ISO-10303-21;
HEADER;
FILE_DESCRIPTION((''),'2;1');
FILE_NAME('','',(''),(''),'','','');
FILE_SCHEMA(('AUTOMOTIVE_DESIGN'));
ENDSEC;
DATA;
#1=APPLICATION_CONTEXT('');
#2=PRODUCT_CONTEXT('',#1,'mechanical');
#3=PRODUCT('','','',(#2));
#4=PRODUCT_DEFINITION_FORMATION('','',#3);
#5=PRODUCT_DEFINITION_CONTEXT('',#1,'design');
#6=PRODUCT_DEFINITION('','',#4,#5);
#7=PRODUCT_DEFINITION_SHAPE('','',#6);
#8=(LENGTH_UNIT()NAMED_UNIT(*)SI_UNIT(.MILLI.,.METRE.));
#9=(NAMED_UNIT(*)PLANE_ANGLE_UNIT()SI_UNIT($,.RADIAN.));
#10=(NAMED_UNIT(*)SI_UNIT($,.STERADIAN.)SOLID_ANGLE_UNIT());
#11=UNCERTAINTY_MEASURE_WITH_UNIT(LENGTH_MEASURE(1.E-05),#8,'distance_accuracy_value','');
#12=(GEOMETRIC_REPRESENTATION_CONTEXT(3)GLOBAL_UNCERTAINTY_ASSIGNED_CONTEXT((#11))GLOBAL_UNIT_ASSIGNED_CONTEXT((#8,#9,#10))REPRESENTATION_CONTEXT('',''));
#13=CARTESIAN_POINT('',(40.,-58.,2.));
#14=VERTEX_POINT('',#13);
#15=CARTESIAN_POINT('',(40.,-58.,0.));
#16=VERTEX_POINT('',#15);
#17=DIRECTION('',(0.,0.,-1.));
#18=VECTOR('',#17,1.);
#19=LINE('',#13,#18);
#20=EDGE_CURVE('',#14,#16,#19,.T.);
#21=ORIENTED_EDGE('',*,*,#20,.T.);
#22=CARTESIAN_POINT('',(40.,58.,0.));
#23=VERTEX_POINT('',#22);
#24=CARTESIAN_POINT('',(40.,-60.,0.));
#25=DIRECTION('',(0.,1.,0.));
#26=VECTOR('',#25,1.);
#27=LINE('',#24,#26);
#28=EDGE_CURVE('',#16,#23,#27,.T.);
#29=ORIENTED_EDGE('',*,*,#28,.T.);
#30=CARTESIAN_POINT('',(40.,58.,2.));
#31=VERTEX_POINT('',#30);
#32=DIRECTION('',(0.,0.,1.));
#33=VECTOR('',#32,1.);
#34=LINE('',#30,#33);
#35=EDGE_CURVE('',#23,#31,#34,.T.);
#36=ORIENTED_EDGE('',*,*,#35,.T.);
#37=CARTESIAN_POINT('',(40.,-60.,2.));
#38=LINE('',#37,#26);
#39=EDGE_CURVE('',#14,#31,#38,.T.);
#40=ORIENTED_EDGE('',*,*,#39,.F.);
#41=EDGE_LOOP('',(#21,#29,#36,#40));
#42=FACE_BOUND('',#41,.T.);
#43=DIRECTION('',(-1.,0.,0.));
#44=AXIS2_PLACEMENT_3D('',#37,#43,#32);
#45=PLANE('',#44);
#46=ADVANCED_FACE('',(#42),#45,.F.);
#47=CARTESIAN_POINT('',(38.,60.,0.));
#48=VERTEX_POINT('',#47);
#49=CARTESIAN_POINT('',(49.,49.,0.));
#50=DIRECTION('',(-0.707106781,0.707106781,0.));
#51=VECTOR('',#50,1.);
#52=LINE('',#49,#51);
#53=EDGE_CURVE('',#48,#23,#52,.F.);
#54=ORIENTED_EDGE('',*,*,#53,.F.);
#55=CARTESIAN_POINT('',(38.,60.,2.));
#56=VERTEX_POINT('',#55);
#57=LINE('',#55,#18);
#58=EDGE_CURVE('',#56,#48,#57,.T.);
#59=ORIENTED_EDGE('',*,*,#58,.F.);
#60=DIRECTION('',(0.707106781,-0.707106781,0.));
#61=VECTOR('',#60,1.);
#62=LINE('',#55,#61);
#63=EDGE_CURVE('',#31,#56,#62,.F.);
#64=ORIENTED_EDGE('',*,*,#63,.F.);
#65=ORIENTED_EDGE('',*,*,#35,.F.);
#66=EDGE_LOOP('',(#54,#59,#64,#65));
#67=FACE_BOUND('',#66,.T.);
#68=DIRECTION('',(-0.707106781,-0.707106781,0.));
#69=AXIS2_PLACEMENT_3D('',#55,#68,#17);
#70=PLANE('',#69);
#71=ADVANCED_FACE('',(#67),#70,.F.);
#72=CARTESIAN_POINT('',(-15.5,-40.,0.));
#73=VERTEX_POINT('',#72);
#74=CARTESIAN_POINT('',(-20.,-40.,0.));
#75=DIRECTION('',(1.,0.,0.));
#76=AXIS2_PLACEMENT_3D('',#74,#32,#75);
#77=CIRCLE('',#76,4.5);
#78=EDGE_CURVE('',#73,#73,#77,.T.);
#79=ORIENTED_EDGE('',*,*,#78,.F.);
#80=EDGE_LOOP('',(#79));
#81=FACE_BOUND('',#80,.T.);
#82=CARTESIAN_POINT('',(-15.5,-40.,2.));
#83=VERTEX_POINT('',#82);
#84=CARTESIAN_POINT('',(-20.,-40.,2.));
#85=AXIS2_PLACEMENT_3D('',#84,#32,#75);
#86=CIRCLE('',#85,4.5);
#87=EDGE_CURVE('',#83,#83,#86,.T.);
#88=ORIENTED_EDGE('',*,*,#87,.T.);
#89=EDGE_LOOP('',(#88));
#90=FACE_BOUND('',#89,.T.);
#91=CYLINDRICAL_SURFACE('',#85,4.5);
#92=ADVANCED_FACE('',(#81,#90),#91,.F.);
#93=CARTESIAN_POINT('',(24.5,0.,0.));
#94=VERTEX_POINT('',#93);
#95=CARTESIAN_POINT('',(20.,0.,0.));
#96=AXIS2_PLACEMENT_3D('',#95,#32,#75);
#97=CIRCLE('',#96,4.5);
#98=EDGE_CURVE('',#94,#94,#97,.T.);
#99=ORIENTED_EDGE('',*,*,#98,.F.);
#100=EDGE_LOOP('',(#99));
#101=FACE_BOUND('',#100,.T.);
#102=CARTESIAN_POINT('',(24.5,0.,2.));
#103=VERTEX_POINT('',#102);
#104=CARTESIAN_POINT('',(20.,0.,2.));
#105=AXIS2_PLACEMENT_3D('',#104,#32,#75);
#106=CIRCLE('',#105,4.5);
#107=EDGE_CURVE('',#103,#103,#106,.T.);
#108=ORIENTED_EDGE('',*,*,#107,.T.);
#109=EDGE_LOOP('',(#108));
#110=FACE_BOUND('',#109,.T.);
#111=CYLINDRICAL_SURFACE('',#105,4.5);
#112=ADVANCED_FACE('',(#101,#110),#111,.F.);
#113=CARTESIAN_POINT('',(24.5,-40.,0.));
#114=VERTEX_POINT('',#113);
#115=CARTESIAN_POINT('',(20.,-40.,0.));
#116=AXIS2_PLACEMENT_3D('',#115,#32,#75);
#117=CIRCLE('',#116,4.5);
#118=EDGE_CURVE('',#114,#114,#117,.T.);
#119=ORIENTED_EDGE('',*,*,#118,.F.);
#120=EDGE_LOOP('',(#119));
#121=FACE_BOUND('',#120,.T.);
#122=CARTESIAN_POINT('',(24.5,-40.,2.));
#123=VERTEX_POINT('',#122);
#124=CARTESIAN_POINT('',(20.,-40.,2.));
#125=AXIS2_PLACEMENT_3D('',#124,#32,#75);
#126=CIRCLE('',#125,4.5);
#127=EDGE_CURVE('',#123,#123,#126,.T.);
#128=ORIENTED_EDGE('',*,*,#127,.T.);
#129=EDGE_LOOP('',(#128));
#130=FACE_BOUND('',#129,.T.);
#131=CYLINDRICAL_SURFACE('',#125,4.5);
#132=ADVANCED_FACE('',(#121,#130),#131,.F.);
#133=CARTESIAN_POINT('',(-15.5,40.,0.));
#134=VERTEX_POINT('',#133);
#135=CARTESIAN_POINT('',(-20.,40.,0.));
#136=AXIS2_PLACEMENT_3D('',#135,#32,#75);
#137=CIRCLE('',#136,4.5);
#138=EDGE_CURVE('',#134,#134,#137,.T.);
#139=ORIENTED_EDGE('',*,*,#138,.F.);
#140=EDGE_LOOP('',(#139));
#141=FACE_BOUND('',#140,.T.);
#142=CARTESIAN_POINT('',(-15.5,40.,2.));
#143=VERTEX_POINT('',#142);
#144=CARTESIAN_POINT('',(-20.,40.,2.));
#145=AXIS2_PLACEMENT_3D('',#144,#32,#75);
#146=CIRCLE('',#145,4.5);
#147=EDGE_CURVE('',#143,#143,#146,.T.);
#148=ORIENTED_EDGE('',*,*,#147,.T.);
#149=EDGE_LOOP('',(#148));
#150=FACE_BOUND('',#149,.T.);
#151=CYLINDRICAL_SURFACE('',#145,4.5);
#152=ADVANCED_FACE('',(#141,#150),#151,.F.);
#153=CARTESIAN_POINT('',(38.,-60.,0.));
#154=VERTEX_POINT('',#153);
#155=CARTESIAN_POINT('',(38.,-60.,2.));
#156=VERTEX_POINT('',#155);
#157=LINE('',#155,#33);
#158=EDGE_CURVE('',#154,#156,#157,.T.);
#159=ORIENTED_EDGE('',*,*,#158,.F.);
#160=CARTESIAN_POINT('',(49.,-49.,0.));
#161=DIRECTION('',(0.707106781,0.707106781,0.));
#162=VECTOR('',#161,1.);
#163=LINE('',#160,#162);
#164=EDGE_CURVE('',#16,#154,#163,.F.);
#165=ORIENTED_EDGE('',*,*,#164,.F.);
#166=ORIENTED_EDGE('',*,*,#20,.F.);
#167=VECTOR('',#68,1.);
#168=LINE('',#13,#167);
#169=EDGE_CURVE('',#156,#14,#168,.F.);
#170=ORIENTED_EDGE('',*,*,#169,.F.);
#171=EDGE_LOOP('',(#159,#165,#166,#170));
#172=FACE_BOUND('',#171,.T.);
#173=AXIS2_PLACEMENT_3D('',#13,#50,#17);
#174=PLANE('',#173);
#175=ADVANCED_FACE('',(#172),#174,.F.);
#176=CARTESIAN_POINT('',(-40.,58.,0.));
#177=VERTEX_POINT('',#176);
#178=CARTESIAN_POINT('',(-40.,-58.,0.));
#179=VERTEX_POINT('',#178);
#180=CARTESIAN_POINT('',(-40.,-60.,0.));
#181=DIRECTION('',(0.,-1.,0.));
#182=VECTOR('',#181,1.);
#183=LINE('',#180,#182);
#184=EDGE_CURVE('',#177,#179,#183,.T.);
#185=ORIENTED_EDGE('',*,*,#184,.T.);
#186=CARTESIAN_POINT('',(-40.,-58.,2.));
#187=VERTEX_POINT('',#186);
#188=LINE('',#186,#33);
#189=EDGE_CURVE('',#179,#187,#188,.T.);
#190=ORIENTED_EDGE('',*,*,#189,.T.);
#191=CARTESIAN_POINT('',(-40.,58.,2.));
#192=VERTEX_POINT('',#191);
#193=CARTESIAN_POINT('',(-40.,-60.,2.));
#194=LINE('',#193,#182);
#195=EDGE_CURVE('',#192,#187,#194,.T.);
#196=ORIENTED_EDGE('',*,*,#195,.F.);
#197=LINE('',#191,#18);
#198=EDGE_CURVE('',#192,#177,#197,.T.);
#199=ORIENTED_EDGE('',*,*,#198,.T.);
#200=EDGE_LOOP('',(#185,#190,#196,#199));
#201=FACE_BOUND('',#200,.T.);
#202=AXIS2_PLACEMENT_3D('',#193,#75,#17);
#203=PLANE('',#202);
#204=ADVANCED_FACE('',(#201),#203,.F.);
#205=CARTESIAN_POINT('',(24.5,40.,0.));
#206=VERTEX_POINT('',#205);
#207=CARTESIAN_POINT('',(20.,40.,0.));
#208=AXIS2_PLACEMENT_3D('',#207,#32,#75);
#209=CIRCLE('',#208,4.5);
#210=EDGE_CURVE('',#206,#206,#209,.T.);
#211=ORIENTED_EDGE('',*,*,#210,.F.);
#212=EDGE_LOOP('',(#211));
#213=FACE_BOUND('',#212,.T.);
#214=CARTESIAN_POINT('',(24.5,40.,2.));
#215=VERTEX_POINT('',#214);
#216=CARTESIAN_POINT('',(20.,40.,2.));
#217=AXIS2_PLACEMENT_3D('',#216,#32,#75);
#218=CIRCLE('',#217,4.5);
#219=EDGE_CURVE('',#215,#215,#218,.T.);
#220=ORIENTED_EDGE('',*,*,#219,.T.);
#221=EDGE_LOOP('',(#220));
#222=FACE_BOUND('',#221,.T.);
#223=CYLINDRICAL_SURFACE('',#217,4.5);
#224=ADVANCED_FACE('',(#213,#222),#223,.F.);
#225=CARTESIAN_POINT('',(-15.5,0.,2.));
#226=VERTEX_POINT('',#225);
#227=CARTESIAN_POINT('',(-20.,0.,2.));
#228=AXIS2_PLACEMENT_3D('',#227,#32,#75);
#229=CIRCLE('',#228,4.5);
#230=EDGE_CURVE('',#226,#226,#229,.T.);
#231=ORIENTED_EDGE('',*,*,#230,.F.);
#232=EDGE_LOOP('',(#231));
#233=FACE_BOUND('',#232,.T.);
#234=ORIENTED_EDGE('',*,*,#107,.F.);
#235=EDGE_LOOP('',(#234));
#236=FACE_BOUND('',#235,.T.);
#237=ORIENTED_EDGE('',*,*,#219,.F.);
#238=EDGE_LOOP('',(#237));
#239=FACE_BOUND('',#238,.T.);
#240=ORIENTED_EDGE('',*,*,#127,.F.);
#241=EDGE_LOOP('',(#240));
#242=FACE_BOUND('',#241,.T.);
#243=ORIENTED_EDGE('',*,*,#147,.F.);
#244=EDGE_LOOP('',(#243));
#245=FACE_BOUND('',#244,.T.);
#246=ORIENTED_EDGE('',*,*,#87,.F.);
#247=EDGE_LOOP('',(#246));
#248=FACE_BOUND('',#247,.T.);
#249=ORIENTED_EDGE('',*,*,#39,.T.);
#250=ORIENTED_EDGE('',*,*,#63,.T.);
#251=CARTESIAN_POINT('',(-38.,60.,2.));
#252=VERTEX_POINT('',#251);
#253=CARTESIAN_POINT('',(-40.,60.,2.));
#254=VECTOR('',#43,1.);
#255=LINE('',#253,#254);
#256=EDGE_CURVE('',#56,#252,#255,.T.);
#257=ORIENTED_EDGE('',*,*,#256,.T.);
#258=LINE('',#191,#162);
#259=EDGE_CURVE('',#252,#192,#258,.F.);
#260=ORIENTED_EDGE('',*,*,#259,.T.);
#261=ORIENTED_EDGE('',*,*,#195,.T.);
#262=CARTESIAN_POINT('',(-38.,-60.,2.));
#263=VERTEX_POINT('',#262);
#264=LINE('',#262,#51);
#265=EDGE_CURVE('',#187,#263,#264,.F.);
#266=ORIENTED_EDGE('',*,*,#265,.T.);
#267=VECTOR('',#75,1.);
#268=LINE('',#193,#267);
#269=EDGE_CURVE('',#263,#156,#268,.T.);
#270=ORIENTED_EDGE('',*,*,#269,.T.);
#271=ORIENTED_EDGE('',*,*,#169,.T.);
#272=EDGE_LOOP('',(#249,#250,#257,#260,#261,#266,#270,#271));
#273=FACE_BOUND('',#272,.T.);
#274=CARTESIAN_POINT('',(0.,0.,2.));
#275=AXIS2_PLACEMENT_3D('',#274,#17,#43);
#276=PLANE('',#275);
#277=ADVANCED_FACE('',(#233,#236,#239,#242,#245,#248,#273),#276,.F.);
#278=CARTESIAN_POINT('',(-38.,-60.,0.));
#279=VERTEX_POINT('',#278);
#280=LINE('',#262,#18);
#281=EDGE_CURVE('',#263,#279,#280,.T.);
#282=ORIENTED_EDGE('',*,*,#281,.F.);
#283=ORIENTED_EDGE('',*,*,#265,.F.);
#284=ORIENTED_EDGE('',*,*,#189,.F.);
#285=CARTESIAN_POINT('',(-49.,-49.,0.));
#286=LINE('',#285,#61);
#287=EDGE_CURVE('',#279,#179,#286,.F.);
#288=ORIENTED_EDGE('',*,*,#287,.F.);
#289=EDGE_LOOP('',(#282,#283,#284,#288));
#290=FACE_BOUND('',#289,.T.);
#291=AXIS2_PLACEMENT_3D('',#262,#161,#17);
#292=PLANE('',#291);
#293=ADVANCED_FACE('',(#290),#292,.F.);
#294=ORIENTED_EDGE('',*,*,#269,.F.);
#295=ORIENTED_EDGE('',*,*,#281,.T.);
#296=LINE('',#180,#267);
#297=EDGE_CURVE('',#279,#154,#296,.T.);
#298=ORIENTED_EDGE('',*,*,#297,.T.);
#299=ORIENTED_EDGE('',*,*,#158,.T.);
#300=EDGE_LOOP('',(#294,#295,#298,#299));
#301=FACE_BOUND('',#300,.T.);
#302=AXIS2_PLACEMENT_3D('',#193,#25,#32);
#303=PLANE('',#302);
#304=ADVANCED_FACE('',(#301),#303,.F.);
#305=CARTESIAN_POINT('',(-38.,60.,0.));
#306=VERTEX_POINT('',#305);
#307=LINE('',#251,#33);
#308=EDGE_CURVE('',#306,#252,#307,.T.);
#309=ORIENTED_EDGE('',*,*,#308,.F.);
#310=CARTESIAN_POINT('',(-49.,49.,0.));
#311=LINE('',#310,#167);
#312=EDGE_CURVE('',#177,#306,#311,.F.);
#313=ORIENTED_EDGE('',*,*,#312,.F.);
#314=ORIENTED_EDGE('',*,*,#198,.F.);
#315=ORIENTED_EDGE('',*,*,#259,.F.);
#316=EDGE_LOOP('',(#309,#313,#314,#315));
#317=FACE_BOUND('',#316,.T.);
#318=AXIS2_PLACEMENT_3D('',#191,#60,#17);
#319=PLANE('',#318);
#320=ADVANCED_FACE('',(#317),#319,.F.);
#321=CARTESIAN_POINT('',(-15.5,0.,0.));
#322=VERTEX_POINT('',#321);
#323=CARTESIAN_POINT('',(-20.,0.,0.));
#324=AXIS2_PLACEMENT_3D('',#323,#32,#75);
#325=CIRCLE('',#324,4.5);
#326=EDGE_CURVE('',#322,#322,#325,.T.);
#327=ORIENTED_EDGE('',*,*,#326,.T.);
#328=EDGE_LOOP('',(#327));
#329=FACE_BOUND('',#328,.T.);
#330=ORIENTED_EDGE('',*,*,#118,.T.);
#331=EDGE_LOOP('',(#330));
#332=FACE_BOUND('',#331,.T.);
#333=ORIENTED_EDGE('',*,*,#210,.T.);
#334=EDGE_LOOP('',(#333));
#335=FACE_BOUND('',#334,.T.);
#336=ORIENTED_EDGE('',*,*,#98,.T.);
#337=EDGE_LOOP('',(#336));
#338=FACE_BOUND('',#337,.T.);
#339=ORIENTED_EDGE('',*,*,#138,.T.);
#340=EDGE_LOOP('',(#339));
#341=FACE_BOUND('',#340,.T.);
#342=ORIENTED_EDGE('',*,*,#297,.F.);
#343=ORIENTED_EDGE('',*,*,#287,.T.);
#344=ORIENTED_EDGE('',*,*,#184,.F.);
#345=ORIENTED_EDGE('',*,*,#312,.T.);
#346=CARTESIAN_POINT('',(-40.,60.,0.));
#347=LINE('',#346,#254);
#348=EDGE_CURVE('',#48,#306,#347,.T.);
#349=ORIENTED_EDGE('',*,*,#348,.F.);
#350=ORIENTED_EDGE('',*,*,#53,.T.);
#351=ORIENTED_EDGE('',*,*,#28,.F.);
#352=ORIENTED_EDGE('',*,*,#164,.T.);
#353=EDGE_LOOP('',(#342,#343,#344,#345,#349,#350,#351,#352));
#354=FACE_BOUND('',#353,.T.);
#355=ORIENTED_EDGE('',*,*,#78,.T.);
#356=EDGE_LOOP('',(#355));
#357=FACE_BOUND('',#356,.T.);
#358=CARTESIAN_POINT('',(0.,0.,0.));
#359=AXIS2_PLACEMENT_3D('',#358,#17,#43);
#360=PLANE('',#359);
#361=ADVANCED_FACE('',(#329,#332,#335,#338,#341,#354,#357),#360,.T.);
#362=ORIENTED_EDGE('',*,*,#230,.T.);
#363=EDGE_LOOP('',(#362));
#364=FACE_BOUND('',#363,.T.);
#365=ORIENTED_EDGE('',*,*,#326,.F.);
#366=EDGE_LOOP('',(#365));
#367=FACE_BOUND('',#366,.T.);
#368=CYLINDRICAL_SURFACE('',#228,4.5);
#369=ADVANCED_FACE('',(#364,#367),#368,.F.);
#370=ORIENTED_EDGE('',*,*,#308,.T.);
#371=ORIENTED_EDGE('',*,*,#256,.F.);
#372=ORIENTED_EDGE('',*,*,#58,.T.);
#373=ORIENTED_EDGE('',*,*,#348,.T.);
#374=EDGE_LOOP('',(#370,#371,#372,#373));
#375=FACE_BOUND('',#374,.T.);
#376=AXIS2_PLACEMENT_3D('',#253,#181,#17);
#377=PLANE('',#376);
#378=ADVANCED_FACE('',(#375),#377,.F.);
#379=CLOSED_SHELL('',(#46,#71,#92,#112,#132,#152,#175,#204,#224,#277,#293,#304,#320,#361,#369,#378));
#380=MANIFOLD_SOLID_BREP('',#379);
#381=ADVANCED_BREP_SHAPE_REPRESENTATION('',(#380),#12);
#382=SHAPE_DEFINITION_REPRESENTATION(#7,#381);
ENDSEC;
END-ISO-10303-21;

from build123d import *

# Parameters (mm, degrees)
SKETCH_1_W        = 80
SKETCH_1_H        = 120
EXTRUDE_1_DEPTH   = 2
CHAMFER_1_SIZE    = 2
HOLE_WIZARD_M81_D = 9


with BuildPart() as part:
    # Эскиз1 → Бобышка-Вытянуть1 (new body)
    with BuildSketch(Plane.XY):
        Rectangle(SKETCH_1_W, SKETCH_1_H)
    extrude(amount=EXTRUDE_1_DEPTH)

    # Фаска1
    chamfer_1_edges = [part.edges().sort_by_distance(p)[0] for p in [
        (40, -60, 1),
        (-40, -60, 1),
        (-40, 60, 1),
        (40, 60, 1),
    ]]
    chamfer(chamfer_1_edges, length=CHAMFER_1_SIZE)

    # Отверстие с зазором M81 (through all)
    with Locations(Plane.XY.offset(2)):
        with Locations((-20, 40), (20, 40), (20, 0), (-20, 0), (-20, -40), (20, -40)):
            Hole(HOLE_WIZARD_M81_D / 2)


solid = part.part
